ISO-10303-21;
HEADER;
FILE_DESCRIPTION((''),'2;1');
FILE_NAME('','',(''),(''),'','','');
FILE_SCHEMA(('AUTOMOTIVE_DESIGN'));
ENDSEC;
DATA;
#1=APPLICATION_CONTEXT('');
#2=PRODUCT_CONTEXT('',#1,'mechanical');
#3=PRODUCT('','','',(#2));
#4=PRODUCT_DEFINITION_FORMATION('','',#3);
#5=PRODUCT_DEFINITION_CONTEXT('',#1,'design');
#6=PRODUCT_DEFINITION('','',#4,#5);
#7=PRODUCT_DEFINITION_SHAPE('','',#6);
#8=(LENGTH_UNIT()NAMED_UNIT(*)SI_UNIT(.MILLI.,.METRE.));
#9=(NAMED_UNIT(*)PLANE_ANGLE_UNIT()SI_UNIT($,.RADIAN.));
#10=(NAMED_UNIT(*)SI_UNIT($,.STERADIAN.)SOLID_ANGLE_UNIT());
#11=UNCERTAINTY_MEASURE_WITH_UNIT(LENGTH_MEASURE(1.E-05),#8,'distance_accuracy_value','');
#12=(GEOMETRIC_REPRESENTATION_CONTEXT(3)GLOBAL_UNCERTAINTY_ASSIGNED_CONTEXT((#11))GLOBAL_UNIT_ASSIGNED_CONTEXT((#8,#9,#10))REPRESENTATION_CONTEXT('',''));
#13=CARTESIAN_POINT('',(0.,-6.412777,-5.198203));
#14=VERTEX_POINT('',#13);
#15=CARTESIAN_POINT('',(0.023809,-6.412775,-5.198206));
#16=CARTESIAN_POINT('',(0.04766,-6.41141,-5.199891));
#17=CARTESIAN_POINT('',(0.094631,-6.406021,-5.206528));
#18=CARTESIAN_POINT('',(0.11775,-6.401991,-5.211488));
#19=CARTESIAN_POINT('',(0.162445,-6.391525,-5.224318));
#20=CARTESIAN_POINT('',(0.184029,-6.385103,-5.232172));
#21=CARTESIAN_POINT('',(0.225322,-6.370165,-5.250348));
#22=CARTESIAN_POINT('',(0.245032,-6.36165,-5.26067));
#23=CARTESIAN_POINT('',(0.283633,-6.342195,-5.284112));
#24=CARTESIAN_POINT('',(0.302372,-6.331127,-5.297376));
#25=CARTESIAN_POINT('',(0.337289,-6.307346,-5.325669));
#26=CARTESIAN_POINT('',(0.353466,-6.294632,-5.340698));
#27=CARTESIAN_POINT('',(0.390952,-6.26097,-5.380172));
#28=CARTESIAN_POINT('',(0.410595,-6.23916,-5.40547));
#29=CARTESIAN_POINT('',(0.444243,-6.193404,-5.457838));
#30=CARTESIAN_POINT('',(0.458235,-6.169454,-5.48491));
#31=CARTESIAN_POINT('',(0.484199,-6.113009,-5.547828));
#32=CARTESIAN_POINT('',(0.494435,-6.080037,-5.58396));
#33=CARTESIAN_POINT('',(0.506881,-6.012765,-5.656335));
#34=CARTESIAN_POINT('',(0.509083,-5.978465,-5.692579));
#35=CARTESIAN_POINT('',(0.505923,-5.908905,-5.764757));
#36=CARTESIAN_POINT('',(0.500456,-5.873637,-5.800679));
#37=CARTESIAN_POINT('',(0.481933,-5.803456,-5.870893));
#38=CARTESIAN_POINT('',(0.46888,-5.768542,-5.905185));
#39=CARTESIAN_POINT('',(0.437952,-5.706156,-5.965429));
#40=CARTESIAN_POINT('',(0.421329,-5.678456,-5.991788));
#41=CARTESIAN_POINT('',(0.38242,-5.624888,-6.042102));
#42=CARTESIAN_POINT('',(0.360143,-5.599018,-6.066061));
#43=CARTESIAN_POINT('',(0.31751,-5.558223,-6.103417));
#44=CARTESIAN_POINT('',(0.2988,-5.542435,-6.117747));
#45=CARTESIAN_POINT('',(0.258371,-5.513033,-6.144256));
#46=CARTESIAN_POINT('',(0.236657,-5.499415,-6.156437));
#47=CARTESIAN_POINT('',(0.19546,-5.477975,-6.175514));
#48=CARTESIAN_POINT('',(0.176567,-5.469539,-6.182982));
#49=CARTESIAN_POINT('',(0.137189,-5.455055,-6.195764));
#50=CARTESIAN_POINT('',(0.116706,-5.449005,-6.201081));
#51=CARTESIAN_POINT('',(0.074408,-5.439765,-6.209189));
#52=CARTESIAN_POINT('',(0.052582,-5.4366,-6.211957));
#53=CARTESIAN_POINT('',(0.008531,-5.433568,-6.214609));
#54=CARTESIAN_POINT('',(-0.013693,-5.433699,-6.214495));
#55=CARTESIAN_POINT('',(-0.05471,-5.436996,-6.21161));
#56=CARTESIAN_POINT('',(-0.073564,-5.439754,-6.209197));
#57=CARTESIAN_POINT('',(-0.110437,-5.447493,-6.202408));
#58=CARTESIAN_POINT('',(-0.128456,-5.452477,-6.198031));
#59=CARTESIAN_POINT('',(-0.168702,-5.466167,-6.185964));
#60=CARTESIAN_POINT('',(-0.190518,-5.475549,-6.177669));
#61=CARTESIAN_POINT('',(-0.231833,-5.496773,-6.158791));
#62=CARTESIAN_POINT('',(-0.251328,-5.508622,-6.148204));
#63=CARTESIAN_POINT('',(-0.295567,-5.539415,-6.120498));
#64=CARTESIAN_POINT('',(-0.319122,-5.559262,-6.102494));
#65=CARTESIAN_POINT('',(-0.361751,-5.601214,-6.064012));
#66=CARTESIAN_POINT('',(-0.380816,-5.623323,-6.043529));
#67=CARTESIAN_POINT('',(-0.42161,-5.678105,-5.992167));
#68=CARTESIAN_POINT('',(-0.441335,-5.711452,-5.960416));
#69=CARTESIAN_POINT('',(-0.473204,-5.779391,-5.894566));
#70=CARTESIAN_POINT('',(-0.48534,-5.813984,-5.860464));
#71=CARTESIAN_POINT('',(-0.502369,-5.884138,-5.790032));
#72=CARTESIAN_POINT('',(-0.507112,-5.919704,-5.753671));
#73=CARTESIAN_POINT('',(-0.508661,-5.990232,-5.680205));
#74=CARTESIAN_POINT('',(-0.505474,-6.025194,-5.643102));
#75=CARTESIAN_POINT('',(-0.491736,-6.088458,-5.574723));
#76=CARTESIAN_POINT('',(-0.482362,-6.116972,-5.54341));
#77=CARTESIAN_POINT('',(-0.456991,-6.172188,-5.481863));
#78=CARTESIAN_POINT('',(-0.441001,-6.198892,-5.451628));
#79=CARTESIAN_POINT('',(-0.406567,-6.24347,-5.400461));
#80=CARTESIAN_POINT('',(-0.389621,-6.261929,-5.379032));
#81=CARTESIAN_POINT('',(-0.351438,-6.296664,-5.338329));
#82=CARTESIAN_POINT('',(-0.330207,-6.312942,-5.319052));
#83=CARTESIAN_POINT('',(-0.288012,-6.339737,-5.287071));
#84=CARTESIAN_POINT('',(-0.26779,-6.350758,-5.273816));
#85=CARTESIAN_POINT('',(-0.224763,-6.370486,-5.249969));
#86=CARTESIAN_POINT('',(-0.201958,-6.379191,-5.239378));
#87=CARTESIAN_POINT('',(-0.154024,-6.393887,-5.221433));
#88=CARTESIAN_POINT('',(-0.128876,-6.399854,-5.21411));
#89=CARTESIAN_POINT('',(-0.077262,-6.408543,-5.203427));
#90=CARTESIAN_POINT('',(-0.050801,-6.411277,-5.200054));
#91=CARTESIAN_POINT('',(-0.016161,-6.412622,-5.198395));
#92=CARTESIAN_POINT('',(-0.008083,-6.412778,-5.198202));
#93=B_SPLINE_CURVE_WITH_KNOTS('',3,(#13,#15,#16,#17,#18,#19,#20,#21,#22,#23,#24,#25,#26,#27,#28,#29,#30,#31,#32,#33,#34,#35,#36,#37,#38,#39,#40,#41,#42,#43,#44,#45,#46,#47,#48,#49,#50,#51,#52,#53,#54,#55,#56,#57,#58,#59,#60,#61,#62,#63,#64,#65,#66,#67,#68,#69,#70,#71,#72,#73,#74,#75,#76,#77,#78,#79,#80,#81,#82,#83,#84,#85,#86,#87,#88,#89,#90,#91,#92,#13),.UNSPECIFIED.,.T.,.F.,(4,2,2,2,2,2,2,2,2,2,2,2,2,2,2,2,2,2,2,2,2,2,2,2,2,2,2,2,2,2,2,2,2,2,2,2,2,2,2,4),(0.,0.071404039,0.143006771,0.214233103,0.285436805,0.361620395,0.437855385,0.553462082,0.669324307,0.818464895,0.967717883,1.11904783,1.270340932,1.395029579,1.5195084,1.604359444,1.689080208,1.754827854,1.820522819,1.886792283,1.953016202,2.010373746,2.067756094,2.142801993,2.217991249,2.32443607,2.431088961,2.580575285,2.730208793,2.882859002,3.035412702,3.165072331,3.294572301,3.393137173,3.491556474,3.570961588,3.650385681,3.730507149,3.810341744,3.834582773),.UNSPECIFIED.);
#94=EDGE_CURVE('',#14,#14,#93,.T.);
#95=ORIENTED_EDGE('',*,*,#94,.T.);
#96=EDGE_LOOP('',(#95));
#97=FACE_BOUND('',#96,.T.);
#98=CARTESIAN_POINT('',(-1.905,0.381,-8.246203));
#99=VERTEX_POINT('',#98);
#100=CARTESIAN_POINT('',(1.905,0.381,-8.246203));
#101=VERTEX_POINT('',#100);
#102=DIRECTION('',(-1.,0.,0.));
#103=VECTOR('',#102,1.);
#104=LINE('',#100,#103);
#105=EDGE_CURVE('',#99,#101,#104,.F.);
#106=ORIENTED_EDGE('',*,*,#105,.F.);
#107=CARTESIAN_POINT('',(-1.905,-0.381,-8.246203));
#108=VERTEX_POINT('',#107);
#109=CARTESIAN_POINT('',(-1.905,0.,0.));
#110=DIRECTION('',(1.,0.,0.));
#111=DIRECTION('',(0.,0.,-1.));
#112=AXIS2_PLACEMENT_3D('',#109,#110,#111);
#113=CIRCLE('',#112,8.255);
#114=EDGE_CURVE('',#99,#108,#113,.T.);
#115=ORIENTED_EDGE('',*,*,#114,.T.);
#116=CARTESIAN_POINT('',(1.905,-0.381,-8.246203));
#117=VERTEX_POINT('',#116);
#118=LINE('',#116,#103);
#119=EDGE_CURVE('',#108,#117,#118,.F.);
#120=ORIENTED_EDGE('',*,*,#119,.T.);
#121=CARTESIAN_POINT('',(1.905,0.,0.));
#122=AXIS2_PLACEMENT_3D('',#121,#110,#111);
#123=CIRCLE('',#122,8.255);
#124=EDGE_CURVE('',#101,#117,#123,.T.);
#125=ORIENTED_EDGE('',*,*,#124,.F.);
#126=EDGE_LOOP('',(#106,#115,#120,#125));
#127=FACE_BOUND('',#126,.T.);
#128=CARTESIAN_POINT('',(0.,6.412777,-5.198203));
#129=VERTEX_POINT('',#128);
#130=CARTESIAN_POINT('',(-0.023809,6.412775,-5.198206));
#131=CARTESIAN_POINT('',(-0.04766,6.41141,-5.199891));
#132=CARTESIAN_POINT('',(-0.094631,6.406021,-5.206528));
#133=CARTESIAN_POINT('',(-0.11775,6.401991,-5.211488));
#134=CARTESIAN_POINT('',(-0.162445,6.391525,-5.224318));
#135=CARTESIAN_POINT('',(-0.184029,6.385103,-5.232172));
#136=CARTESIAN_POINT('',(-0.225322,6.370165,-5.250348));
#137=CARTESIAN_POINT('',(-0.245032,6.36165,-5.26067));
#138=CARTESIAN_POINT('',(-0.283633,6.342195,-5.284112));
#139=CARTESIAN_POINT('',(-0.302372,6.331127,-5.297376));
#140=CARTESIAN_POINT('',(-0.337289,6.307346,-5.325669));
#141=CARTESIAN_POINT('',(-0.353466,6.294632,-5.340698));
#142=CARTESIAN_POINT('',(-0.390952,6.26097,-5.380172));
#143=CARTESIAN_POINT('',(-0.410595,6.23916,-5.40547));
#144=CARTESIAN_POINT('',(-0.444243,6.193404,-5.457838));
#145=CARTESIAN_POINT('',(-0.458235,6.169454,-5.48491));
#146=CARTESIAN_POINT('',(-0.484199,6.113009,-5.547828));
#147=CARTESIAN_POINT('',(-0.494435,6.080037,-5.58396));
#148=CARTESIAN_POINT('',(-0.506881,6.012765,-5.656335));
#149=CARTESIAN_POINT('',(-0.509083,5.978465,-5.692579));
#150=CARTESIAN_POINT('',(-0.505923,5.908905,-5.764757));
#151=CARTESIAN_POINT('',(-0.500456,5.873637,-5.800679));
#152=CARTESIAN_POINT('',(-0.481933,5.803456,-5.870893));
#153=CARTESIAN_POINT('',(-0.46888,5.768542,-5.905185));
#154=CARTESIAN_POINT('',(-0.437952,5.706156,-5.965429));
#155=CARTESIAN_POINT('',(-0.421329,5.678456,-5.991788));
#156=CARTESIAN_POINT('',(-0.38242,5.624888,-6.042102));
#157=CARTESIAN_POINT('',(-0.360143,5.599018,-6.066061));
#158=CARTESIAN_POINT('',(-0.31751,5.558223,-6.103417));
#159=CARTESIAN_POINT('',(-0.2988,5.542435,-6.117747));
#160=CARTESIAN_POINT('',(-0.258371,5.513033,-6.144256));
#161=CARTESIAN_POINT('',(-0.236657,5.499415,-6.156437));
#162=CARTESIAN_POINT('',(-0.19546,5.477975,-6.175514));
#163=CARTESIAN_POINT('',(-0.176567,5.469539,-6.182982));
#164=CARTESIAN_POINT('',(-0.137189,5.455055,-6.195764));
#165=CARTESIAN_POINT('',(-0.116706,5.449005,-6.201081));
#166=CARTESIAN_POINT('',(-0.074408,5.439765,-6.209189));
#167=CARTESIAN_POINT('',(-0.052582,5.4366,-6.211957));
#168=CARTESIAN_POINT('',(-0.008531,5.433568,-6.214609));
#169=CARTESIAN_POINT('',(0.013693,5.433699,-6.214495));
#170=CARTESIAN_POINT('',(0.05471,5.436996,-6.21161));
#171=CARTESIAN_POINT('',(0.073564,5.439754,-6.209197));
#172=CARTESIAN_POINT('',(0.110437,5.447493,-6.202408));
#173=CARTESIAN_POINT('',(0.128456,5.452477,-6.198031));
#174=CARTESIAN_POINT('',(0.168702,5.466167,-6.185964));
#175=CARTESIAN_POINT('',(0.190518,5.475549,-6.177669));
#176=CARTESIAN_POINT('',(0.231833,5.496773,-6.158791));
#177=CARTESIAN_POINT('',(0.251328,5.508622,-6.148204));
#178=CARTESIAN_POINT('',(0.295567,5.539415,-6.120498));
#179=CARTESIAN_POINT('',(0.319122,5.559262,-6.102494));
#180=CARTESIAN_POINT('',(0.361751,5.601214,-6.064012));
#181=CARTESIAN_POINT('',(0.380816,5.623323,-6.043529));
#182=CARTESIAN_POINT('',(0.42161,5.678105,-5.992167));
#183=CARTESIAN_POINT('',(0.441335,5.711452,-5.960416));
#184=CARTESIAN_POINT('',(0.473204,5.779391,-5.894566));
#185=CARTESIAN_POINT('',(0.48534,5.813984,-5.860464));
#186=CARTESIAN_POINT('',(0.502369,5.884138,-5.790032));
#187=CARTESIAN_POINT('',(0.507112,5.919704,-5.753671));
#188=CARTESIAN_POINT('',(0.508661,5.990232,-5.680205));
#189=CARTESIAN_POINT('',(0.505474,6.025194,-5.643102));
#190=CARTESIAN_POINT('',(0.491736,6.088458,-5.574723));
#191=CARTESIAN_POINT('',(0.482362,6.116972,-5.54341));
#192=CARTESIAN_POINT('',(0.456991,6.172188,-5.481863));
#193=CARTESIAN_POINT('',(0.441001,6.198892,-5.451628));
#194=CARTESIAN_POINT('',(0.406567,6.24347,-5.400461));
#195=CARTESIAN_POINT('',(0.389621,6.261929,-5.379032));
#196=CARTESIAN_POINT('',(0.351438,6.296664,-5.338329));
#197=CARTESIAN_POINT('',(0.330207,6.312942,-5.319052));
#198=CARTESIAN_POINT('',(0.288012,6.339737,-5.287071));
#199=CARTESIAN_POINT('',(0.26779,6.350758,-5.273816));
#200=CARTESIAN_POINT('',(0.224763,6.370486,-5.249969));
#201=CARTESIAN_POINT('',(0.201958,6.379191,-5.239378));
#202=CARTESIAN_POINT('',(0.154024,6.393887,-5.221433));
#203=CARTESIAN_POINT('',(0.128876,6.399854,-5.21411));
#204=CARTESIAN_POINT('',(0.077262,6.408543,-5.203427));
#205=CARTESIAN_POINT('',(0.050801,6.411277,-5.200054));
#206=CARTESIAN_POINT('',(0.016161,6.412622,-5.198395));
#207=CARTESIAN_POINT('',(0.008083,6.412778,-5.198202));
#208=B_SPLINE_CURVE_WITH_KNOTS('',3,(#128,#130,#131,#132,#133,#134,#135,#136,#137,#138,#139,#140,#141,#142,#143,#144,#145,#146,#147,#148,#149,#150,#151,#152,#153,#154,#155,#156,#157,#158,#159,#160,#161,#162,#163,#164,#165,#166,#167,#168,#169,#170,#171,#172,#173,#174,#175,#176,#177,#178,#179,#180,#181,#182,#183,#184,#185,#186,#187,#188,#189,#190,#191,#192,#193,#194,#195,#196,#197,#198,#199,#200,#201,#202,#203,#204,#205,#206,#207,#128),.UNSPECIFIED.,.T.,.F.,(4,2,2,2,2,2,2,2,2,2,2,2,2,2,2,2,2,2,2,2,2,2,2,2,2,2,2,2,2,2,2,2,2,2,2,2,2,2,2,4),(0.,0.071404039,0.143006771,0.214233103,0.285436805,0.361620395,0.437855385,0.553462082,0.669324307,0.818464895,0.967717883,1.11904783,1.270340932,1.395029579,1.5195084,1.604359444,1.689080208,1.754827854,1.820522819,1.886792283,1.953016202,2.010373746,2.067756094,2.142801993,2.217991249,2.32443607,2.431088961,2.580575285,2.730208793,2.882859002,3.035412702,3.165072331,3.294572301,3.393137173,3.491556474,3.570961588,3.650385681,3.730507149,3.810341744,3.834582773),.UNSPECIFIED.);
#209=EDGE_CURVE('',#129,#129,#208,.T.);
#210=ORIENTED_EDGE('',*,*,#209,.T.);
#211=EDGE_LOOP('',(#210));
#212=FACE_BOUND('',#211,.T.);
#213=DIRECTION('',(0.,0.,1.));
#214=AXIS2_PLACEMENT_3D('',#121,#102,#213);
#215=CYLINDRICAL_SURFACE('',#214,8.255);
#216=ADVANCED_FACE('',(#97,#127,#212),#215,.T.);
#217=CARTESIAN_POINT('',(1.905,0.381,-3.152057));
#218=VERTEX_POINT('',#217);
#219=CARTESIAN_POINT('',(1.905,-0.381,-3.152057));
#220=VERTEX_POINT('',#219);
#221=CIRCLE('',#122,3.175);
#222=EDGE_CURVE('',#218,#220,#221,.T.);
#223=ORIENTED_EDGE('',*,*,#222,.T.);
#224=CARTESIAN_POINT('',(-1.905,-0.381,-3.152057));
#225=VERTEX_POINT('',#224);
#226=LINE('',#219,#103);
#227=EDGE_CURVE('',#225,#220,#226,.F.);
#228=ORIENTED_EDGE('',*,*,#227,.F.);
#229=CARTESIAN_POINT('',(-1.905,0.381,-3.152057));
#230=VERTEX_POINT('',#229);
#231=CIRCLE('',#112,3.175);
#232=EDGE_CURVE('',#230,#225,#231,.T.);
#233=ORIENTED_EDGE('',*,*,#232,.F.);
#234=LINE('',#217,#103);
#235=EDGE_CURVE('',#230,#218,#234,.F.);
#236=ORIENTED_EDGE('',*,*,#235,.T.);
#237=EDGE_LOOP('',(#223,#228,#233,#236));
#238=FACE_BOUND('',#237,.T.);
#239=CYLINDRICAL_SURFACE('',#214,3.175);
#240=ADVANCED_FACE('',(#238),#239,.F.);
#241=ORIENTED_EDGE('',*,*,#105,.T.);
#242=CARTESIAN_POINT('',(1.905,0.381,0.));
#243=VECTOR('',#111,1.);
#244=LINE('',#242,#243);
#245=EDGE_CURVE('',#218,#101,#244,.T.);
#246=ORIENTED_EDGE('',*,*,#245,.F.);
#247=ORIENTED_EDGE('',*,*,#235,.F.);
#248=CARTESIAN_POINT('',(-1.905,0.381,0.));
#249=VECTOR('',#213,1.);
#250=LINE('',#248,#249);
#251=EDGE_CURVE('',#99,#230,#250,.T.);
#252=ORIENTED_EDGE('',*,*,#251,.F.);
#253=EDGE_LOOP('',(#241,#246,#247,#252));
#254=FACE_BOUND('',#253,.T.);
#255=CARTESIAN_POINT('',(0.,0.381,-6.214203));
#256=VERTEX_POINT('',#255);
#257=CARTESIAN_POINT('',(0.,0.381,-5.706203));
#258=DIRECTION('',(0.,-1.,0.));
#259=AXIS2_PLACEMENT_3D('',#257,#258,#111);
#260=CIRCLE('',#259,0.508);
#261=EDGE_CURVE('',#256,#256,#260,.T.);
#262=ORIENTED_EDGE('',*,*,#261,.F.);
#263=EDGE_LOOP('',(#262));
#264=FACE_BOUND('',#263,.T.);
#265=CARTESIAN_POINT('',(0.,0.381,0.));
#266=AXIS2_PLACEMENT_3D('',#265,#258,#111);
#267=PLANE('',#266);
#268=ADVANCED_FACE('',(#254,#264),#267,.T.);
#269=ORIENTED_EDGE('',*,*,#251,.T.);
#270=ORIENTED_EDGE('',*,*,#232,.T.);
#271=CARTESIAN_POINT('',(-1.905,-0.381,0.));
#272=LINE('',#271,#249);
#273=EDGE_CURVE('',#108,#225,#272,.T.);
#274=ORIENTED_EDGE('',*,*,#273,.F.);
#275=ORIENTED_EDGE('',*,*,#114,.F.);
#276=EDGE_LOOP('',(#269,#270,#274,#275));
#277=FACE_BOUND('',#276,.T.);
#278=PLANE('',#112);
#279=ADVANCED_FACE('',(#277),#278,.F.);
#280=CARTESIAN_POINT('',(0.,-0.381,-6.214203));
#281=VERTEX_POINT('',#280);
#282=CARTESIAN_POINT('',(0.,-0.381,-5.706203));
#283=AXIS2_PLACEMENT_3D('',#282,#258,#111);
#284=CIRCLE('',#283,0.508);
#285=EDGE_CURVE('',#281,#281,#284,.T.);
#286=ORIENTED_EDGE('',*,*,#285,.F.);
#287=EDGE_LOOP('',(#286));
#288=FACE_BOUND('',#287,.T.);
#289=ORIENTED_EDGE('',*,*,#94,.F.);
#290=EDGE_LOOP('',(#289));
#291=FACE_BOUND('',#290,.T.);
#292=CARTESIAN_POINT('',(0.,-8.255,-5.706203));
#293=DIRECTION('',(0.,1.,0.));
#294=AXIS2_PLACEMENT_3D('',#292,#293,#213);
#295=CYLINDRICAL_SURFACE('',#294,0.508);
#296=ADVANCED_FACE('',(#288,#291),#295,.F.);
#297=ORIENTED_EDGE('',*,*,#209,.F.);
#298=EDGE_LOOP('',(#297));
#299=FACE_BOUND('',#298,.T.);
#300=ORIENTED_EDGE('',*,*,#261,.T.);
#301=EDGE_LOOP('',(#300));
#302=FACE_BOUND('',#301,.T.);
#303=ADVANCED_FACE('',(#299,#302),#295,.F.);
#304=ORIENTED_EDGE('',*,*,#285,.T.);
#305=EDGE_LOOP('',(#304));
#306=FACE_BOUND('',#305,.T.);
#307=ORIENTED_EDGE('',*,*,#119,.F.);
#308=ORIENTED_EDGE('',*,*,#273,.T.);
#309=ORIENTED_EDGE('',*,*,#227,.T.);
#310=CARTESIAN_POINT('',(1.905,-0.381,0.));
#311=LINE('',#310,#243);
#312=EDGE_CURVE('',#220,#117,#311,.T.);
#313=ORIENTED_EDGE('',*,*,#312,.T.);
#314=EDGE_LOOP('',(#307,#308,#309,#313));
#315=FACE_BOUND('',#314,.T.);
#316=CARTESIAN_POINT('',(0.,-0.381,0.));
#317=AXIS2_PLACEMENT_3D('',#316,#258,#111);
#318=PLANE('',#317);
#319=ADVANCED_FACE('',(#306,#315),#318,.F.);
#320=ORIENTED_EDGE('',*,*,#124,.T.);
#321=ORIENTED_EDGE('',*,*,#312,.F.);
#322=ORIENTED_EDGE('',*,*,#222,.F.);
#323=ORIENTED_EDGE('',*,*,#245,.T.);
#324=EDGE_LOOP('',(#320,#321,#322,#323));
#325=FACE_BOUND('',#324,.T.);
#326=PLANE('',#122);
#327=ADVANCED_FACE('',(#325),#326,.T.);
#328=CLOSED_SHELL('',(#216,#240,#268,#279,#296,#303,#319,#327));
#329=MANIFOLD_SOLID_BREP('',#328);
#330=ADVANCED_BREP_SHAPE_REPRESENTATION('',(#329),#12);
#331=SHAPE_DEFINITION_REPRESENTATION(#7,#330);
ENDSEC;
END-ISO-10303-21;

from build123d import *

# Parameters (mm, degrees)
SKETCH1_R               = 8.255
SKETCH1_R_2             = 3.175
BOSS_EXTRUDE1_DEPTH     = 1.905
SKETCH3_W               = 3.81
SKETCH3_H               = 8.255
CUT_EXTRUDE1_DEPTH      = 0.381
CUT_EXTRUDE2_DEPTH      = 12.828739366
CUT_EXTRUDE2_DEPTH_BACK = 12.828739366
SKETCH4_R               = 0.508


with BuildPart() as part:
    # Sketch1 → Boss-Extrude1 (new, symmetric)
    with BuildSketch(Plane(origin=(0, 0, 0), x_dir=(0, 0, -1), z_dir=(1, 0, 0))):
        with Locations(Location((0, 0, 0), (0, 0, 180))):
            Circle(SKETCH1_R)
        with Locations(Location((0, 0, 0), (0, 0, 180))):
            Circle(SKETCH1_R_2, mode=Mode.SUBTRACT)
    extrude(amount=BOSS_EXTRUDE1_DEPTH, both=True)

    # Sketch3 → Cut-Extrude1 (cut, symmetric)
    with BuildSketch(Plane(origin=(0, 0, 0), x_dir=(1, 0, 0), z_dir=(0, 1, 0))):
        with Locations((0, 4.1275)):
            Rectangle(SKETCH3_W, SKETCH3_H)
    extrude(amount=CUT_EXTRUDE1_DEPTH, both=True, mode=Mode.SUBTRACT)

    # Sketch4 → Cut-Extrude2 (cut, two sides: drawn at the far end of the back side and taken through both)
    with BuildSketch(Plane(origin=(0, 0, 0), x_dir=(1, 0, 0), z_dir=(0, 1, 0)).offset(-CUT_EXTRUDE2_DEPTH_BACK)):
        with Locations(Location((0, 5.706203005, 0), (0, 0, 270))):
            Circle(SKETCH4_R)
    extrude(amount=CUT_EXTRUDE2_DEPTH + CUT_EXTRUDE2_DEPTH_BACK, mode=Mode.SUBTRACT)


solid = part.part
